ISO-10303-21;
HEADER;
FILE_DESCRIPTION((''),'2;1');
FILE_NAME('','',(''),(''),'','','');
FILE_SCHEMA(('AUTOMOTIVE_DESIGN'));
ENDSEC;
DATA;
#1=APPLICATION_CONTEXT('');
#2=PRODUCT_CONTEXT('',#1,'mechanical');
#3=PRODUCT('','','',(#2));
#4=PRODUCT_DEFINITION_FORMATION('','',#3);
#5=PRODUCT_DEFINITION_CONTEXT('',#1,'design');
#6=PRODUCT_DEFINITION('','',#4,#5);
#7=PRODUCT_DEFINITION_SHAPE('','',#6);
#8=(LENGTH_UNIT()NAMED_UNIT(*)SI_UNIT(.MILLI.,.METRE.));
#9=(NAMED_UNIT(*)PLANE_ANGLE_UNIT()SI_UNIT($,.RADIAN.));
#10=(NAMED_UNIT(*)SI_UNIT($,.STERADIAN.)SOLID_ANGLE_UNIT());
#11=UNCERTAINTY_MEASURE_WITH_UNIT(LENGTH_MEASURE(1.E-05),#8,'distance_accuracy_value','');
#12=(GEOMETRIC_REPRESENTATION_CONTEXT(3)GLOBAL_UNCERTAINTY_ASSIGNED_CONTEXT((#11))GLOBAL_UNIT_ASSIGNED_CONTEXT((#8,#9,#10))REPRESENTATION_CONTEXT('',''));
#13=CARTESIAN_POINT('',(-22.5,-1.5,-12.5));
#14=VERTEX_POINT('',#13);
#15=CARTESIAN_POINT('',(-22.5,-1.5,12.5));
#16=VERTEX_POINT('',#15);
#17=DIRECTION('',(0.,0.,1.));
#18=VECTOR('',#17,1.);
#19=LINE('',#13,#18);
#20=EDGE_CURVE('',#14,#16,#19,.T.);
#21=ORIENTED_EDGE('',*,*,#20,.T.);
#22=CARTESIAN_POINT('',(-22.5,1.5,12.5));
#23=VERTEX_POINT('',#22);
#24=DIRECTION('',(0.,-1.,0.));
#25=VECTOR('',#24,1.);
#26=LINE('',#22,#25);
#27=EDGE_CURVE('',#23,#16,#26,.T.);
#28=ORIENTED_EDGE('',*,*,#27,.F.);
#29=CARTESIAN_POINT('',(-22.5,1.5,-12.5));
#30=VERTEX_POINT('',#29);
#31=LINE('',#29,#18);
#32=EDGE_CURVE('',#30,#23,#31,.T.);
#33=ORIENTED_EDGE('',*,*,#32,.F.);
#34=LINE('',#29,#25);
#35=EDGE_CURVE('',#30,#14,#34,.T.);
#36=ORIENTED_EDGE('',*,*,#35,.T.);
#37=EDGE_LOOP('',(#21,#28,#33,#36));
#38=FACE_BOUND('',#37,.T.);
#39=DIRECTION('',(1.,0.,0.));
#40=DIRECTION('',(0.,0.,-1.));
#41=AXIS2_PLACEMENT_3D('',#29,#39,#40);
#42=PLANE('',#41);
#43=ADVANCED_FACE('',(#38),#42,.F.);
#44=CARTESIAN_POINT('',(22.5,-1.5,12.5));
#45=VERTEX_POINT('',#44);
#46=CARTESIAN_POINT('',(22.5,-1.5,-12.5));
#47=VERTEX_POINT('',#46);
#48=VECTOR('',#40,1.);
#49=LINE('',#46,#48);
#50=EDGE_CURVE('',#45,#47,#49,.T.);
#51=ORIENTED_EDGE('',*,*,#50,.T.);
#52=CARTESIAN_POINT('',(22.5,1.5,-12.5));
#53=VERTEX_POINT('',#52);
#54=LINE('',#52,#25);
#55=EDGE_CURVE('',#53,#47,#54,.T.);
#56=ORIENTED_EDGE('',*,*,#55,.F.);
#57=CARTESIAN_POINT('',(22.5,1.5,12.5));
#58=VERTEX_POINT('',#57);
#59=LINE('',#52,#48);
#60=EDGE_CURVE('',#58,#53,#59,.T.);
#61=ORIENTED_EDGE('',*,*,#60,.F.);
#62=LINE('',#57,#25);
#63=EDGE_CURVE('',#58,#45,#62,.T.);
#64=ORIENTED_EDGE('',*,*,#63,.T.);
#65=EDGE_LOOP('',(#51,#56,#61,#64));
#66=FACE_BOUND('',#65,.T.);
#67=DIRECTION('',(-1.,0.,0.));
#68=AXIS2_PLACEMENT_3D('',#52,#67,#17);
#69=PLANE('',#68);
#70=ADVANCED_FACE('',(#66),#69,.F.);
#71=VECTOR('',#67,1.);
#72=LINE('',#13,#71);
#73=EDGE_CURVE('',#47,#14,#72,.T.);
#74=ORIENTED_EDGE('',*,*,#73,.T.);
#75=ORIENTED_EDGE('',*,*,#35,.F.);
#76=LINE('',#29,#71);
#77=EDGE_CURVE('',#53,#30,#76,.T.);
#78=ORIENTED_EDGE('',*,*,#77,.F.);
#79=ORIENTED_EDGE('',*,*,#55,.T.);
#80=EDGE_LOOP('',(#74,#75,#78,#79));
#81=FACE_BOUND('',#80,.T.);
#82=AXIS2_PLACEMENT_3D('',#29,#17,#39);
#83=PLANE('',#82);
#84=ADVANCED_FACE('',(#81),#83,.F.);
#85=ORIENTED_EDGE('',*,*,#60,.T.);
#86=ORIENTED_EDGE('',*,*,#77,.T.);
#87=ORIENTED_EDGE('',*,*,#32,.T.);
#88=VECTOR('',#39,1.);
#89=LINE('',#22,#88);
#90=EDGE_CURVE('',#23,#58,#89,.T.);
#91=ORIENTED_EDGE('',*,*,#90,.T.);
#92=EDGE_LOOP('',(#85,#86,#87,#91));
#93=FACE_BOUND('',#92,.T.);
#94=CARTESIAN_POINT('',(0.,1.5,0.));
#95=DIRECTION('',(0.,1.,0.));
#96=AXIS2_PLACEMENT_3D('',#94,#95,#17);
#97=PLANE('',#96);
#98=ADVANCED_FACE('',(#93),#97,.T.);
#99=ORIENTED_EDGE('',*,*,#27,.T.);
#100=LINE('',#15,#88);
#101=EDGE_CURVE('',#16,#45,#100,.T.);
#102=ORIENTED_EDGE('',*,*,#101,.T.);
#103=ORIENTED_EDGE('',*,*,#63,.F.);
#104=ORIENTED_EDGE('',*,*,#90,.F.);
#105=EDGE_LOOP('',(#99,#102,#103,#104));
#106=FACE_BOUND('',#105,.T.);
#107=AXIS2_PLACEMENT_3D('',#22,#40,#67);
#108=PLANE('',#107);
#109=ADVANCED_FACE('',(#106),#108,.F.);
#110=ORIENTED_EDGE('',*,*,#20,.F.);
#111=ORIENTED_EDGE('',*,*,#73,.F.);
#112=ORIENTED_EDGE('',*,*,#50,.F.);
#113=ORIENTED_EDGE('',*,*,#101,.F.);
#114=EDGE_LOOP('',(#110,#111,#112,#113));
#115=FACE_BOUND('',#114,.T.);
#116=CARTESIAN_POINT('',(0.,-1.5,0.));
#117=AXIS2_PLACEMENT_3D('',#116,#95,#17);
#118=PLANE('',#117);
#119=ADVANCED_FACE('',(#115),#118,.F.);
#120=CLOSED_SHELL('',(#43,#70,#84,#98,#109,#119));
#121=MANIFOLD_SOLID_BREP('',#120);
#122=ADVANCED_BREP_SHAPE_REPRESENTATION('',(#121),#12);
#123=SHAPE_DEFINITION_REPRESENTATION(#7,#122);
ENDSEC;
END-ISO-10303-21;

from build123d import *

# Parameters (mm, degrees)
CROQUIS1_W              = 45
CROQUIS1_H              = 25
SALIENTE_EXTRUIR1_DEPTH = 1.5


with BuildPart() as part:
    # Croquis1 → Saliente-Extruir1 (new, symmetric)
    with BuildSketch(Plane(origin=(0, 0, 0), x_dir=(1, 0, 0), z_dir=(0, 1, 0))):
        Rectangle(CROQUIS1_W, CROQUIS1_H)
    extrude(amount=SALIENTE_EXTRUIR1_DEPTH, both=True)


solid = part.part
